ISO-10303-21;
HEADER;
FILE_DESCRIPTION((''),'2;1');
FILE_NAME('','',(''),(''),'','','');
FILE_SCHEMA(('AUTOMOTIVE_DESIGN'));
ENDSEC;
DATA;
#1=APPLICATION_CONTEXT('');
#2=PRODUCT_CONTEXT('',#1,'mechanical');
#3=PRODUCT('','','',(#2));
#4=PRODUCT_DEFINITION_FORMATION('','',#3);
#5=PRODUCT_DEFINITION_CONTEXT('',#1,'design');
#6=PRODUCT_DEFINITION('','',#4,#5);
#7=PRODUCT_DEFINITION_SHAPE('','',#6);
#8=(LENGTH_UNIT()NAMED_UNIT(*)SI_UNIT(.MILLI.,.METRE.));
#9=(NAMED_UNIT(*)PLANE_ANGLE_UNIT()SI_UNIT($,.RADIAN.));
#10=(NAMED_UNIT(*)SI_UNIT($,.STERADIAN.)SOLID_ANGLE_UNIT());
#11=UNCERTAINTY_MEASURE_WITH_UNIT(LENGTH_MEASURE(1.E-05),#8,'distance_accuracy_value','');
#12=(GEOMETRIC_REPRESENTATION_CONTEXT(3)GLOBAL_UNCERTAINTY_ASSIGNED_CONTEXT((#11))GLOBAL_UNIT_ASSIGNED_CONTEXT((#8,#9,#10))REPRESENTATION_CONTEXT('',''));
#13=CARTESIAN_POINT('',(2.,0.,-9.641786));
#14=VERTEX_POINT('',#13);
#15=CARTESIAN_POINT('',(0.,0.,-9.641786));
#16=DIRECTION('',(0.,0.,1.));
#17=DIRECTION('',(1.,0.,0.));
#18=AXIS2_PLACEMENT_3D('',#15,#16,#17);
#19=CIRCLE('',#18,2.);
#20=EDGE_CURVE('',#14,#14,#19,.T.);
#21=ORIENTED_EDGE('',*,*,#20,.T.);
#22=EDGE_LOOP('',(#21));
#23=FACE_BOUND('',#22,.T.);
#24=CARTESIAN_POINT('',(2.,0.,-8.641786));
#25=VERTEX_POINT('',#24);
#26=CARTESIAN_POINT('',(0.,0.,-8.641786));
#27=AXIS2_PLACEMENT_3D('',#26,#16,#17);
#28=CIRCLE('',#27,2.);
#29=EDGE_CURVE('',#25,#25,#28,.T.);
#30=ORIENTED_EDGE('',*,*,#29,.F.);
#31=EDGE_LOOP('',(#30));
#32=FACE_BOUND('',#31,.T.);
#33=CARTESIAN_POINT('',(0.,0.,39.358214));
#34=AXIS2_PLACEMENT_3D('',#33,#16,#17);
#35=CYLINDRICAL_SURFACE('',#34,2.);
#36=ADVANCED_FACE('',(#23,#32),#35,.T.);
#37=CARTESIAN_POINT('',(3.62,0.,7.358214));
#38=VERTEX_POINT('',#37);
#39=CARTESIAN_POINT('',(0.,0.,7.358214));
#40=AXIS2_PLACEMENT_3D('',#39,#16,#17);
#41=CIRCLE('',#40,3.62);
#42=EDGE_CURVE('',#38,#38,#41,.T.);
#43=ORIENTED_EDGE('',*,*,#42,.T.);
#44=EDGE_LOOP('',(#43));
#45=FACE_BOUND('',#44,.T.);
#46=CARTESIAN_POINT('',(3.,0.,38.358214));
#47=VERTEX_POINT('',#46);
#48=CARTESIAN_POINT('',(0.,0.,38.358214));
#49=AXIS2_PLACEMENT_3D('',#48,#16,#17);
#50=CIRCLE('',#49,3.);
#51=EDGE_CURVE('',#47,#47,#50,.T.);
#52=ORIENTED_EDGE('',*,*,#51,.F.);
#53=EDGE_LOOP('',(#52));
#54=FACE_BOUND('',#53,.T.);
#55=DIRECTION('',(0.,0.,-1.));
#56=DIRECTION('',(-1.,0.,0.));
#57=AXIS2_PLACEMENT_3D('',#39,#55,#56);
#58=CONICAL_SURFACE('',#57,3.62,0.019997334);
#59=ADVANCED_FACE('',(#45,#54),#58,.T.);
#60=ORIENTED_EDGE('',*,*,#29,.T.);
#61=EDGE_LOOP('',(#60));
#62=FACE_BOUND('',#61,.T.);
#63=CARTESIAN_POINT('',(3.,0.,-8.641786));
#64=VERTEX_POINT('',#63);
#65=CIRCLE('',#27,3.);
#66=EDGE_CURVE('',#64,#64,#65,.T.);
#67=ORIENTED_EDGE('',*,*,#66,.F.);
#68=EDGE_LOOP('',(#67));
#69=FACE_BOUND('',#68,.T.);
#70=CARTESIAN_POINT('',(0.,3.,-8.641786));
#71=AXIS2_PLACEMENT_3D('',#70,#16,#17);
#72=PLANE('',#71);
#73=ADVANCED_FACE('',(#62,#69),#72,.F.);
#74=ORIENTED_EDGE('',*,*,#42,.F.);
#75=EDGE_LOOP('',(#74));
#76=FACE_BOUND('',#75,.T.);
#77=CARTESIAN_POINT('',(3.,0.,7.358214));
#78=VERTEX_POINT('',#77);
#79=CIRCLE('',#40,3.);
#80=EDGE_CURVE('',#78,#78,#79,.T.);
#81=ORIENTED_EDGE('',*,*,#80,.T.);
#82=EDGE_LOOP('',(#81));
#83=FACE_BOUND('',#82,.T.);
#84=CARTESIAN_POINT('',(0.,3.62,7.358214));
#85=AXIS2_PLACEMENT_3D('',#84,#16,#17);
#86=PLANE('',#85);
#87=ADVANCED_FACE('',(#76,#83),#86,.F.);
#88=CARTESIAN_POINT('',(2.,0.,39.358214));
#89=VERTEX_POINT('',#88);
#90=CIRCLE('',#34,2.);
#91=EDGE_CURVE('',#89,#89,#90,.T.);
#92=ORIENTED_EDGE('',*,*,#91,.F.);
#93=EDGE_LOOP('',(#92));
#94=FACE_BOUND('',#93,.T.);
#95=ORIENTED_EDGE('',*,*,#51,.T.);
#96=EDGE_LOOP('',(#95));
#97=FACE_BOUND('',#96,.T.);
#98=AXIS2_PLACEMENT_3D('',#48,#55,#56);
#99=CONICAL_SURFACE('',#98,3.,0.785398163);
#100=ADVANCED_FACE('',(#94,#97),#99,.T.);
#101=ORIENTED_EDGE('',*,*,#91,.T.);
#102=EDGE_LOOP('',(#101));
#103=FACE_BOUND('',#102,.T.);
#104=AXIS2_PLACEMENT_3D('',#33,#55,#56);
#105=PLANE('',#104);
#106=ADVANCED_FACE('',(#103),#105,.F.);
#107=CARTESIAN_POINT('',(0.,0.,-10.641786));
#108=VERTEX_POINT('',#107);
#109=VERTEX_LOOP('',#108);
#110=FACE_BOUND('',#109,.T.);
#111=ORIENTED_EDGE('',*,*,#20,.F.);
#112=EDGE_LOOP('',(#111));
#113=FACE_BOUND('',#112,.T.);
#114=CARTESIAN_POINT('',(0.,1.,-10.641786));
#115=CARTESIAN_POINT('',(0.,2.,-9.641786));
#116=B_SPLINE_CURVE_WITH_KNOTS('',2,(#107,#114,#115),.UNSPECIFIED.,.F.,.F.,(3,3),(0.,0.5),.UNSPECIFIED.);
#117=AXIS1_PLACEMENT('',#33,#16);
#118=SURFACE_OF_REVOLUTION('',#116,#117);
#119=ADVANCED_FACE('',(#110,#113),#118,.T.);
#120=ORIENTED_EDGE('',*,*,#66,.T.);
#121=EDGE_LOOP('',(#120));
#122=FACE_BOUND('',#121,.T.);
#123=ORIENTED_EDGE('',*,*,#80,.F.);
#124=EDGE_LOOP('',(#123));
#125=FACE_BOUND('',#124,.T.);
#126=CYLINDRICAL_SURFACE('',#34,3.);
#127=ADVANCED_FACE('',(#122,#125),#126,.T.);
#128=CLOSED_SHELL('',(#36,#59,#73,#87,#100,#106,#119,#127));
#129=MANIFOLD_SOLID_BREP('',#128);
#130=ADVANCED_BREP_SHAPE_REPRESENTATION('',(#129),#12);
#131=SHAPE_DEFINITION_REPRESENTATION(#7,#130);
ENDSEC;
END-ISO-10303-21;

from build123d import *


with BuildPart() as part:
    # Эскиз1 → Повернуть1 (revolve)
    with BuildSketch(Plane(origin=(0, 0, 0), x_dir=(0, 0, -1), z_dir=(1, 0, 0)), mode=Mode.PRIVATE) as revolve_1_sk:
        with BuildLine():
            Line((-39.358214094, 0), (-39.358214094, 2))
            Line((-39.358214094, 2), (-38.358214094, 3))
            Line((-38.358214094, 3), (-7.358214094, 3.62))
            Line((-7.358214094, 3.62), (-7.358214094, 3))
            Line((-7.358214094, 3), (8.641785906, 3))
            Line((8.641785906, 3), (8.641785906, 2))
            Line((8.641785906, 2), (9.641785906, 2))
            add(Edge.make_bspline(
                [(9.641785906, 2), (10.641785906, 1), (10.641785906, 0)],
                knots=[0, 0, 0, 0.5, 0.5, 0.5], degree=2))
            Line((10.641785906, 0), (-39.358214094, 0))
        make_face()
    revolve(revolve_1_sk.sketch.rotate(Axis((0, 0, 39.358214094), (0, 0, -1)), 90), axis=Axis((0, 0, 39.358214094), (0, 0, -1)))


solid = part.part
